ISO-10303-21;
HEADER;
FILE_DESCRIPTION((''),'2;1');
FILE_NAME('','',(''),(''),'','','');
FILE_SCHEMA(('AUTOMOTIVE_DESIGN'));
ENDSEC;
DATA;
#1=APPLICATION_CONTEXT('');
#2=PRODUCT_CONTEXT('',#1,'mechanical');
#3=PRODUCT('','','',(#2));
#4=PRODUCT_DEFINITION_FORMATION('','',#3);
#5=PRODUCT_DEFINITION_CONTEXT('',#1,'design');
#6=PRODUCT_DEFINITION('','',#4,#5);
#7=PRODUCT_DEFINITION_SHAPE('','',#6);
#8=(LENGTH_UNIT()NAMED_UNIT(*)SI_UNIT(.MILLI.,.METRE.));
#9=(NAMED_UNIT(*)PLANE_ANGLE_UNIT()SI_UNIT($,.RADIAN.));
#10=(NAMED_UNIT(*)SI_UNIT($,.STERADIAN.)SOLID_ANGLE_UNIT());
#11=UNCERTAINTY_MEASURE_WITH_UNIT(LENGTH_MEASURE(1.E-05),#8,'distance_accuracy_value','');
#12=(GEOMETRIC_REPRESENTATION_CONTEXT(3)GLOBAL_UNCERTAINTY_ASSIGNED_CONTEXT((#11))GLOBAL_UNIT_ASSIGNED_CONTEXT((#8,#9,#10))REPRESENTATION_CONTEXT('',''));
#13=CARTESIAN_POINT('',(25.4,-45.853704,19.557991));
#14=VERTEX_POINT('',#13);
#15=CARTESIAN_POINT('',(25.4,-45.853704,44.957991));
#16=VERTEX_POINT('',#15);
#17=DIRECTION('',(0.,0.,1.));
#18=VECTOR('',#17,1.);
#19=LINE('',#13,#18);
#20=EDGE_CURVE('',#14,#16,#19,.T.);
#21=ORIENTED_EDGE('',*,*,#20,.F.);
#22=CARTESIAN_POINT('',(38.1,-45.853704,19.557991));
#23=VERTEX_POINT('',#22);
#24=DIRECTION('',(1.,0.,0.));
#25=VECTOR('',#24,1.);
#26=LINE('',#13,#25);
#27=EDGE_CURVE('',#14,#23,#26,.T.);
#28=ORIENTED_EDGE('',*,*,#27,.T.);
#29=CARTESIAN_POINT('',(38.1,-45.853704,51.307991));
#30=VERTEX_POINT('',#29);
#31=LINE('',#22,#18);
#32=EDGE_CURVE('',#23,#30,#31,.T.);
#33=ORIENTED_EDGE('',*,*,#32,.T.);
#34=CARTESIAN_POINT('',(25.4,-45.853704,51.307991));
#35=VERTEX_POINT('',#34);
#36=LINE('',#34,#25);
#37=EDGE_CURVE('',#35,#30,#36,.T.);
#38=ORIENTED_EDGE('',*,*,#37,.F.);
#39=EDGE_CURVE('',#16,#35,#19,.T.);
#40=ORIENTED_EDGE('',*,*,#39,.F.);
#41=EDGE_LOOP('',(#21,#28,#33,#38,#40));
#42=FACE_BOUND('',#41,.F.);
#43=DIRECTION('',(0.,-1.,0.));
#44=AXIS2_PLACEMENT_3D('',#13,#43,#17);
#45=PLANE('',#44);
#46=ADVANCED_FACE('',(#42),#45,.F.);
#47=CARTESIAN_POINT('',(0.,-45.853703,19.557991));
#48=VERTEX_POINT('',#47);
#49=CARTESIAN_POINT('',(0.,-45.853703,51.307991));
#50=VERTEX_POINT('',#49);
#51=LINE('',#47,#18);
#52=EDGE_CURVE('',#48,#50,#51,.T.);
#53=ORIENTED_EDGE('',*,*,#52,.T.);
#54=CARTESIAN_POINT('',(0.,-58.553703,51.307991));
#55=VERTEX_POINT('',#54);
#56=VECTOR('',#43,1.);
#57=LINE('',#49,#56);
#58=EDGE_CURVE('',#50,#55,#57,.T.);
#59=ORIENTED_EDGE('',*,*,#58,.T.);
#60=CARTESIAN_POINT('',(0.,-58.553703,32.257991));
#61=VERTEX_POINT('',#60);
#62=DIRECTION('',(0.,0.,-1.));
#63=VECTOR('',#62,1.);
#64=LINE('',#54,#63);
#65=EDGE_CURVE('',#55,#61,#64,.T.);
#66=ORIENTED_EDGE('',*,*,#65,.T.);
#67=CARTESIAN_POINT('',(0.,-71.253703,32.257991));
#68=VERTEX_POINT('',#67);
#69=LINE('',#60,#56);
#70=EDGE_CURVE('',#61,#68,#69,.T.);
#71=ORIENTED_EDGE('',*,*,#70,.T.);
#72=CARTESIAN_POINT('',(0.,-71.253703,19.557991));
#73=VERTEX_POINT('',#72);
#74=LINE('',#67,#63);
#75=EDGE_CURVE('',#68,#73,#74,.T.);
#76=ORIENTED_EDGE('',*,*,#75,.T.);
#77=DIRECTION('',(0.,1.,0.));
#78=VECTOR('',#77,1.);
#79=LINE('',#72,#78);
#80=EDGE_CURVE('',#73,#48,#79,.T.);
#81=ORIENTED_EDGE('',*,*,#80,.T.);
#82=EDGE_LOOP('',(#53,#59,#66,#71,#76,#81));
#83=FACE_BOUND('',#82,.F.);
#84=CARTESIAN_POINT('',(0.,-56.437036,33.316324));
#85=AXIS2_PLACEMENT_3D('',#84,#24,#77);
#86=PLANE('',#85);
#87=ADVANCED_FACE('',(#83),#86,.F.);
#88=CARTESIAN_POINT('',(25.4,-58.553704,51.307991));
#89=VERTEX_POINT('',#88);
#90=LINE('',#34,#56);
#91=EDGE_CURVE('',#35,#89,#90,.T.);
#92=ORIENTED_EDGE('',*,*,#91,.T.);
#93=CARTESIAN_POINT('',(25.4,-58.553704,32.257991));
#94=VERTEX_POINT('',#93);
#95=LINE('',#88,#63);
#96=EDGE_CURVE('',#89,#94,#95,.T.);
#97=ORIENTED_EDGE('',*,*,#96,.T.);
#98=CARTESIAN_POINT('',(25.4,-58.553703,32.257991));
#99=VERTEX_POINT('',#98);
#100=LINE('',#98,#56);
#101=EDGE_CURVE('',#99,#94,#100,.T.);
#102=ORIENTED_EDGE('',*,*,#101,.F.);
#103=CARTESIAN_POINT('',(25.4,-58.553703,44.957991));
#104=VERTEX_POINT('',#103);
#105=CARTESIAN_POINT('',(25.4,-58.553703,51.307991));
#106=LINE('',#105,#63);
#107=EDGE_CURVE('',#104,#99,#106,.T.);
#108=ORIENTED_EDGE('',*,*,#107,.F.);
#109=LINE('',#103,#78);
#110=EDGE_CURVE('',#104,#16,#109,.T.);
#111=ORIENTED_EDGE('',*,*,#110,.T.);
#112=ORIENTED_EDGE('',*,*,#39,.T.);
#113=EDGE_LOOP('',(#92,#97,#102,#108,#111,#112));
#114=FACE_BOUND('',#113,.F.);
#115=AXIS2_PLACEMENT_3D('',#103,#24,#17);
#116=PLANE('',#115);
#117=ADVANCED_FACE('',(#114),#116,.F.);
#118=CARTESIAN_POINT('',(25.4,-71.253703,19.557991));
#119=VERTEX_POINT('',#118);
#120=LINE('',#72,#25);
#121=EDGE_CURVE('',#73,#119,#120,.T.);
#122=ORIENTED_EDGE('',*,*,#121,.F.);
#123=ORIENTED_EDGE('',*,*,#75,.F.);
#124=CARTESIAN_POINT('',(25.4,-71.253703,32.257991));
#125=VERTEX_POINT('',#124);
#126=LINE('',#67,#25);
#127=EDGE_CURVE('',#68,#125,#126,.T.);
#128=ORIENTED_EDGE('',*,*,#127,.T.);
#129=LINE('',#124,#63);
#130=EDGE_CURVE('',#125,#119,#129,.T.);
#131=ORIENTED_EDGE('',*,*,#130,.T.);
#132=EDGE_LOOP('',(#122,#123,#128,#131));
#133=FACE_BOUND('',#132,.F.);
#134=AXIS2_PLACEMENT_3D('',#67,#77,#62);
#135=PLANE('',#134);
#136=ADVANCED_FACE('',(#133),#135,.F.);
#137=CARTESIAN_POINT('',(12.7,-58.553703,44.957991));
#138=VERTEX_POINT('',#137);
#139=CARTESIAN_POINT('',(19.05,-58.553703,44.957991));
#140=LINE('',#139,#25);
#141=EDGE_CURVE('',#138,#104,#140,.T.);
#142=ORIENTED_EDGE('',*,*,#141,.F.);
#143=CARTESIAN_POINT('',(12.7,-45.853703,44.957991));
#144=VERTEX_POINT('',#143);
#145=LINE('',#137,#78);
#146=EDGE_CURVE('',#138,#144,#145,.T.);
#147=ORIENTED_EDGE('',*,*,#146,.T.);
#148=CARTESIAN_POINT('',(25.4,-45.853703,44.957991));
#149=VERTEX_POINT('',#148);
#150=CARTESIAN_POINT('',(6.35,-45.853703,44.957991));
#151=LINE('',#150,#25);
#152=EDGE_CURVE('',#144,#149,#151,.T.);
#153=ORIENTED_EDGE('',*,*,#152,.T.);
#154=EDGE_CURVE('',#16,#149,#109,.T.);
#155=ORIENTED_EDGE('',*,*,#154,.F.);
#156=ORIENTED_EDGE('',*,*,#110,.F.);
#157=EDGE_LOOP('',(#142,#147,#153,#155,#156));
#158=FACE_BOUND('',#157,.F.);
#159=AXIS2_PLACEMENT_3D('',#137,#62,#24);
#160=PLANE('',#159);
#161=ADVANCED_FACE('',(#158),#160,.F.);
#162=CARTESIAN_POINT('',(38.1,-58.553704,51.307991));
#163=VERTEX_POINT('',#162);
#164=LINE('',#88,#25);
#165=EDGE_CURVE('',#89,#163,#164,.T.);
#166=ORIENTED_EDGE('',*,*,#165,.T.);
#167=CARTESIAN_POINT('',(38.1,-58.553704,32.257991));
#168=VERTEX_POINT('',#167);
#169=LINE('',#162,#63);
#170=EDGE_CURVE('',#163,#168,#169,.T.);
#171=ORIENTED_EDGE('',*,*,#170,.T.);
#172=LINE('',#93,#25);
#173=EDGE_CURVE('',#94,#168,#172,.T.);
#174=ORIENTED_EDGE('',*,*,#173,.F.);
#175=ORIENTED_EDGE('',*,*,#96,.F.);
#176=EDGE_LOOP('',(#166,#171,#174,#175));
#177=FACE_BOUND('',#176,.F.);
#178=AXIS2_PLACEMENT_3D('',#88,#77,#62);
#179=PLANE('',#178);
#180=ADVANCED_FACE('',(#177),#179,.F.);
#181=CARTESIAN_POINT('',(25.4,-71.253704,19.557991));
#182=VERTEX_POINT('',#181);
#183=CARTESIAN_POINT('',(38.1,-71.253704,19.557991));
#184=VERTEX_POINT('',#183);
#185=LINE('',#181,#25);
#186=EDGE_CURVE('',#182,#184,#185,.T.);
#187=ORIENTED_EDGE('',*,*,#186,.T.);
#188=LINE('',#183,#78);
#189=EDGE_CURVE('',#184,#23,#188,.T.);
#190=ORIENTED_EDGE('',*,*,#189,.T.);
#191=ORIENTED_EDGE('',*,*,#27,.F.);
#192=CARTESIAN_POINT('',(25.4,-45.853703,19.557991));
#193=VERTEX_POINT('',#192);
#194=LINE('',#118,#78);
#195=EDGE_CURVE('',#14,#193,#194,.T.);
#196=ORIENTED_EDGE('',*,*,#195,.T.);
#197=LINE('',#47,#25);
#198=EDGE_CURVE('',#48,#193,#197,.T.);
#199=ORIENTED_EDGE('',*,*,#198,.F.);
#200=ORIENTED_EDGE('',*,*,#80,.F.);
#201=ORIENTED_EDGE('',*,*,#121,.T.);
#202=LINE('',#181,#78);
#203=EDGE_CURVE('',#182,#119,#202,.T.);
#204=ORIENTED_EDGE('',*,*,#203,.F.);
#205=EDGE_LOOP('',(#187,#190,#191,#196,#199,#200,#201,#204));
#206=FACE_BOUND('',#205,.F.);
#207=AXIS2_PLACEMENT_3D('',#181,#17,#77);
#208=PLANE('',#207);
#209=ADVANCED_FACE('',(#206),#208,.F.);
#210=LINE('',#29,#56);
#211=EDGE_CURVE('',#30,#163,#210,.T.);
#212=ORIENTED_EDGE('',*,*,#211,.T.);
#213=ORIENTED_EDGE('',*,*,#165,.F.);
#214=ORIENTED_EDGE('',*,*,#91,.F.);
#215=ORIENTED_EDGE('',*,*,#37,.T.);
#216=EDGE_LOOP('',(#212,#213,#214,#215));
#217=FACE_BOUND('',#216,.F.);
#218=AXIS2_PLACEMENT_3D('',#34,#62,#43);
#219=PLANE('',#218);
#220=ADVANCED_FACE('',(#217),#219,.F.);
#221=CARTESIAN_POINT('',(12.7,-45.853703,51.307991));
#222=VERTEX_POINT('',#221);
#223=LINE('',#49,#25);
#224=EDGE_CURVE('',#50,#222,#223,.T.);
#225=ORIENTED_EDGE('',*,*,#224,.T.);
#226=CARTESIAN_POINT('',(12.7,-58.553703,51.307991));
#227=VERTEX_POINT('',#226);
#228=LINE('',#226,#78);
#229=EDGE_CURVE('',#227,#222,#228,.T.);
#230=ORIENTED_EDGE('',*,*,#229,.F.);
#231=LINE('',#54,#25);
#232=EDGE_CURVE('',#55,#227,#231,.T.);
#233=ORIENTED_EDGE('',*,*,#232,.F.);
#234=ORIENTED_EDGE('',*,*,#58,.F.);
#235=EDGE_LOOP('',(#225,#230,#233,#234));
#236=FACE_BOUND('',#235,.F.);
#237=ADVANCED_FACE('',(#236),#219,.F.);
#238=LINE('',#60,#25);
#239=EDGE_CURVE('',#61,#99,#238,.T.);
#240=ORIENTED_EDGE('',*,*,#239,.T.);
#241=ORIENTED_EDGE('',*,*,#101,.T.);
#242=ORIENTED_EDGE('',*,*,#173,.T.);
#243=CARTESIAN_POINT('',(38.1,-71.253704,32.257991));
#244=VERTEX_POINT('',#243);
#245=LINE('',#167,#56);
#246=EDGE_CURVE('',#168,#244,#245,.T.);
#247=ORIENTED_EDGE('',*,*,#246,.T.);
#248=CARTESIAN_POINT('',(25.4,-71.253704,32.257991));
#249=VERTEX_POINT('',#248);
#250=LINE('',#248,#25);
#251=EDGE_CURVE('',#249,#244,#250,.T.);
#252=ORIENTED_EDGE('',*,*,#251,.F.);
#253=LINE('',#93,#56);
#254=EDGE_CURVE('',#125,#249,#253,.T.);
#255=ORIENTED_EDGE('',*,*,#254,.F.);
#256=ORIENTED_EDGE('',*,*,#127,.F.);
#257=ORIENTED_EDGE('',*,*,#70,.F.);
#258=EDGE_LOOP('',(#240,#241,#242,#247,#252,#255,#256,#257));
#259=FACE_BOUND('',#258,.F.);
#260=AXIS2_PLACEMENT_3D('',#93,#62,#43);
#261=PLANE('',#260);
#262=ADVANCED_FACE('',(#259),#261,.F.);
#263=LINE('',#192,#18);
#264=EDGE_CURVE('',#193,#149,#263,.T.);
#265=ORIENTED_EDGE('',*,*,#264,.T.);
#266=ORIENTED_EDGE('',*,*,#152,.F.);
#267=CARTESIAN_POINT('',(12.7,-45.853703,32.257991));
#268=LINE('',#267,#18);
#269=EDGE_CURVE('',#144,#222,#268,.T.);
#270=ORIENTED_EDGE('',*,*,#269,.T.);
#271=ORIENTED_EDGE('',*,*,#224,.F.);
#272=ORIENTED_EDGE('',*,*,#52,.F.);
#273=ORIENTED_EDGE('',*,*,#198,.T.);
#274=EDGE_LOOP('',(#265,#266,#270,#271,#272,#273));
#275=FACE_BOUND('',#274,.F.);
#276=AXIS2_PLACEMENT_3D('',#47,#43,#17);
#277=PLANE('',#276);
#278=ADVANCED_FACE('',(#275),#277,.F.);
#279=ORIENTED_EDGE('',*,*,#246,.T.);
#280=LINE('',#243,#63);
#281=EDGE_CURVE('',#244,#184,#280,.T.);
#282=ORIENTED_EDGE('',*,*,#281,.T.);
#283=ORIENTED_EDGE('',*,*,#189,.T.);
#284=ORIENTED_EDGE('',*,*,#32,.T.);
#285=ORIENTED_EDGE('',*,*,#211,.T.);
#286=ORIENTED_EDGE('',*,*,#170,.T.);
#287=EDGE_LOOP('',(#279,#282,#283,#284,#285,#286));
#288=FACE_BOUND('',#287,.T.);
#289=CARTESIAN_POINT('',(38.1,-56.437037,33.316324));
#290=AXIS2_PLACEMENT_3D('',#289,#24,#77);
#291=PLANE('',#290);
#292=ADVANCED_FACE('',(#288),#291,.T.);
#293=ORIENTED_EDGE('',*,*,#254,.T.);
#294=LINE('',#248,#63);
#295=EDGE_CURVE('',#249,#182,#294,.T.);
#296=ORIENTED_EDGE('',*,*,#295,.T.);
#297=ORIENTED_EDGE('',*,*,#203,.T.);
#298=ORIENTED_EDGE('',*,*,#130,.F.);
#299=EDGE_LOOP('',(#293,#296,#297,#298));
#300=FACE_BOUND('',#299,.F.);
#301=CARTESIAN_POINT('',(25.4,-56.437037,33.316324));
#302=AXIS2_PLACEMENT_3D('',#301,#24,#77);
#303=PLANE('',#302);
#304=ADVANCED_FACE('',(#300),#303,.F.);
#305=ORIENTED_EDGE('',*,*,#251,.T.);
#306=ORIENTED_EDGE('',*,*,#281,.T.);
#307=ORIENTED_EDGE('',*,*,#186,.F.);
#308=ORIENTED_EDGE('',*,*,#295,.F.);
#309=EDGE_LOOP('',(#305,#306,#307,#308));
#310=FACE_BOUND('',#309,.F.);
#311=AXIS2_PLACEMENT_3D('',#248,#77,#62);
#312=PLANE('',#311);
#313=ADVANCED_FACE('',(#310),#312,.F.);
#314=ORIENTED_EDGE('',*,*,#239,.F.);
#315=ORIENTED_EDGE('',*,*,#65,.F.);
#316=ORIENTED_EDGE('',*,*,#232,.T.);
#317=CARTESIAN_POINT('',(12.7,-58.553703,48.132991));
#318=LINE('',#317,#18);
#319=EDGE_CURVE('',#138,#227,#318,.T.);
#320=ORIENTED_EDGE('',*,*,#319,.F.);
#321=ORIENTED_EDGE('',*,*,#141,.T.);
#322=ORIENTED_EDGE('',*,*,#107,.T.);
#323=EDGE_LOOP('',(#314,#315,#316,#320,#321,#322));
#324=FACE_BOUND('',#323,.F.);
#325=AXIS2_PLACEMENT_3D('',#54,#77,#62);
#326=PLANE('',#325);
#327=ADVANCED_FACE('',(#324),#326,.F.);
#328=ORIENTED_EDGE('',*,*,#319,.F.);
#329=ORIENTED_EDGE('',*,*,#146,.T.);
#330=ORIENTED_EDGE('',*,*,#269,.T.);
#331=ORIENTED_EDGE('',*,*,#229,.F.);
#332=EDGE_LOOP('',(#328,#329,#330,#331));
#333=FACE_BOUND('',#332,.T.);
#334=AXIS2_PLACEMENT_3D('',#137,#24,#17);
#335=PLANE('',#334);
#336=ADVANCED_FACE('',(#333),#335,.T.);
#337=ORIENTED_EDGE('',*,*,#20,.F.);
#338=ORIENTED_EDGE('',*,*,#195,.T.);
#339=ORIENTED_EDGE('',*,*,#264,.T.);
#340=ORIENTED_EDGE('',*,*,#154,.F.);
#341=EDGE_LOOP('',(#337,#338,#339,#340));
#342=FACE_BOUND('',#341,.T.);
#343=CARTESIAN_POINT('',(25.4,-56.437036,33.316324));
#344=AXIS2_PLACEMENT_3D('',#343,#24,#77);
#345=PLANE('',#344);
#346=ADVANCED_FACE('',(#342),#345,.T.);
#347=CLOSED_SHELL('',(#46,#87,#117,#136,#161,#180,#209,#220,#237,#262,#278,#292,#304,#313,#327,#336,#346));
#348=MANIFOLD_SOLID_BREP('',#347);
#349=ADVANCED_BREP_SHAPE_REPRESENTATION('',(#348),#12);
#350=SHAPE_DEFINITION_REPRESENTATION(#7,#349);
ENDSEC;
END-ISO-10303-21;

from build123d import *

# Parameters (mm, degrees)
F1_DEPTH = 25.4
F2_DEPTH = 12.7
F3_W     = 12.7
F3_H     = 6.35
F4_DEPTH = 12.701


with BuildPart() as f1:
    # F0 (on Right) → F1 (new body)
    with BuildSketch(Plane.YZ):
        Polygon((-45.853703, 51.307991), (-58.553703, 51.307991), (-58.553703, 32.257991), (-71.253703, 32.257991), (-71.253703, 19.557991), (-45.853703, 19.557991), align=None)
    extrude(amount=F1_DEPTH)

    # F1_face (on face) → F2 (join)
    with BuildSketch(Plane(origin=(25.4, -55.832275, 32.711562), x_dir=(0, 1, 0), z_dir=(1, 0, 0))):
        Polygon((9.978571, 18.596429), (-2.721429, 18.596429), (-2.721429, -0.453571), (-15.421429, -0.453571), (-15.421429, -13.153571), (9.978571, -13.153571), align=None)
    extrude(amount=F2_DEPTH)

    # F3 (on face) → F4 (cut, through all)
    with BuildSketch(Plane.XZ.offset(58.553703)):
        with Locations((19.05, 48.132991)):
            Rectangle(F3_W, F3_H)
    extrude(amount=-F4_DEPTH, mode=Mode.SUBTRACT)


solid = f1.part
